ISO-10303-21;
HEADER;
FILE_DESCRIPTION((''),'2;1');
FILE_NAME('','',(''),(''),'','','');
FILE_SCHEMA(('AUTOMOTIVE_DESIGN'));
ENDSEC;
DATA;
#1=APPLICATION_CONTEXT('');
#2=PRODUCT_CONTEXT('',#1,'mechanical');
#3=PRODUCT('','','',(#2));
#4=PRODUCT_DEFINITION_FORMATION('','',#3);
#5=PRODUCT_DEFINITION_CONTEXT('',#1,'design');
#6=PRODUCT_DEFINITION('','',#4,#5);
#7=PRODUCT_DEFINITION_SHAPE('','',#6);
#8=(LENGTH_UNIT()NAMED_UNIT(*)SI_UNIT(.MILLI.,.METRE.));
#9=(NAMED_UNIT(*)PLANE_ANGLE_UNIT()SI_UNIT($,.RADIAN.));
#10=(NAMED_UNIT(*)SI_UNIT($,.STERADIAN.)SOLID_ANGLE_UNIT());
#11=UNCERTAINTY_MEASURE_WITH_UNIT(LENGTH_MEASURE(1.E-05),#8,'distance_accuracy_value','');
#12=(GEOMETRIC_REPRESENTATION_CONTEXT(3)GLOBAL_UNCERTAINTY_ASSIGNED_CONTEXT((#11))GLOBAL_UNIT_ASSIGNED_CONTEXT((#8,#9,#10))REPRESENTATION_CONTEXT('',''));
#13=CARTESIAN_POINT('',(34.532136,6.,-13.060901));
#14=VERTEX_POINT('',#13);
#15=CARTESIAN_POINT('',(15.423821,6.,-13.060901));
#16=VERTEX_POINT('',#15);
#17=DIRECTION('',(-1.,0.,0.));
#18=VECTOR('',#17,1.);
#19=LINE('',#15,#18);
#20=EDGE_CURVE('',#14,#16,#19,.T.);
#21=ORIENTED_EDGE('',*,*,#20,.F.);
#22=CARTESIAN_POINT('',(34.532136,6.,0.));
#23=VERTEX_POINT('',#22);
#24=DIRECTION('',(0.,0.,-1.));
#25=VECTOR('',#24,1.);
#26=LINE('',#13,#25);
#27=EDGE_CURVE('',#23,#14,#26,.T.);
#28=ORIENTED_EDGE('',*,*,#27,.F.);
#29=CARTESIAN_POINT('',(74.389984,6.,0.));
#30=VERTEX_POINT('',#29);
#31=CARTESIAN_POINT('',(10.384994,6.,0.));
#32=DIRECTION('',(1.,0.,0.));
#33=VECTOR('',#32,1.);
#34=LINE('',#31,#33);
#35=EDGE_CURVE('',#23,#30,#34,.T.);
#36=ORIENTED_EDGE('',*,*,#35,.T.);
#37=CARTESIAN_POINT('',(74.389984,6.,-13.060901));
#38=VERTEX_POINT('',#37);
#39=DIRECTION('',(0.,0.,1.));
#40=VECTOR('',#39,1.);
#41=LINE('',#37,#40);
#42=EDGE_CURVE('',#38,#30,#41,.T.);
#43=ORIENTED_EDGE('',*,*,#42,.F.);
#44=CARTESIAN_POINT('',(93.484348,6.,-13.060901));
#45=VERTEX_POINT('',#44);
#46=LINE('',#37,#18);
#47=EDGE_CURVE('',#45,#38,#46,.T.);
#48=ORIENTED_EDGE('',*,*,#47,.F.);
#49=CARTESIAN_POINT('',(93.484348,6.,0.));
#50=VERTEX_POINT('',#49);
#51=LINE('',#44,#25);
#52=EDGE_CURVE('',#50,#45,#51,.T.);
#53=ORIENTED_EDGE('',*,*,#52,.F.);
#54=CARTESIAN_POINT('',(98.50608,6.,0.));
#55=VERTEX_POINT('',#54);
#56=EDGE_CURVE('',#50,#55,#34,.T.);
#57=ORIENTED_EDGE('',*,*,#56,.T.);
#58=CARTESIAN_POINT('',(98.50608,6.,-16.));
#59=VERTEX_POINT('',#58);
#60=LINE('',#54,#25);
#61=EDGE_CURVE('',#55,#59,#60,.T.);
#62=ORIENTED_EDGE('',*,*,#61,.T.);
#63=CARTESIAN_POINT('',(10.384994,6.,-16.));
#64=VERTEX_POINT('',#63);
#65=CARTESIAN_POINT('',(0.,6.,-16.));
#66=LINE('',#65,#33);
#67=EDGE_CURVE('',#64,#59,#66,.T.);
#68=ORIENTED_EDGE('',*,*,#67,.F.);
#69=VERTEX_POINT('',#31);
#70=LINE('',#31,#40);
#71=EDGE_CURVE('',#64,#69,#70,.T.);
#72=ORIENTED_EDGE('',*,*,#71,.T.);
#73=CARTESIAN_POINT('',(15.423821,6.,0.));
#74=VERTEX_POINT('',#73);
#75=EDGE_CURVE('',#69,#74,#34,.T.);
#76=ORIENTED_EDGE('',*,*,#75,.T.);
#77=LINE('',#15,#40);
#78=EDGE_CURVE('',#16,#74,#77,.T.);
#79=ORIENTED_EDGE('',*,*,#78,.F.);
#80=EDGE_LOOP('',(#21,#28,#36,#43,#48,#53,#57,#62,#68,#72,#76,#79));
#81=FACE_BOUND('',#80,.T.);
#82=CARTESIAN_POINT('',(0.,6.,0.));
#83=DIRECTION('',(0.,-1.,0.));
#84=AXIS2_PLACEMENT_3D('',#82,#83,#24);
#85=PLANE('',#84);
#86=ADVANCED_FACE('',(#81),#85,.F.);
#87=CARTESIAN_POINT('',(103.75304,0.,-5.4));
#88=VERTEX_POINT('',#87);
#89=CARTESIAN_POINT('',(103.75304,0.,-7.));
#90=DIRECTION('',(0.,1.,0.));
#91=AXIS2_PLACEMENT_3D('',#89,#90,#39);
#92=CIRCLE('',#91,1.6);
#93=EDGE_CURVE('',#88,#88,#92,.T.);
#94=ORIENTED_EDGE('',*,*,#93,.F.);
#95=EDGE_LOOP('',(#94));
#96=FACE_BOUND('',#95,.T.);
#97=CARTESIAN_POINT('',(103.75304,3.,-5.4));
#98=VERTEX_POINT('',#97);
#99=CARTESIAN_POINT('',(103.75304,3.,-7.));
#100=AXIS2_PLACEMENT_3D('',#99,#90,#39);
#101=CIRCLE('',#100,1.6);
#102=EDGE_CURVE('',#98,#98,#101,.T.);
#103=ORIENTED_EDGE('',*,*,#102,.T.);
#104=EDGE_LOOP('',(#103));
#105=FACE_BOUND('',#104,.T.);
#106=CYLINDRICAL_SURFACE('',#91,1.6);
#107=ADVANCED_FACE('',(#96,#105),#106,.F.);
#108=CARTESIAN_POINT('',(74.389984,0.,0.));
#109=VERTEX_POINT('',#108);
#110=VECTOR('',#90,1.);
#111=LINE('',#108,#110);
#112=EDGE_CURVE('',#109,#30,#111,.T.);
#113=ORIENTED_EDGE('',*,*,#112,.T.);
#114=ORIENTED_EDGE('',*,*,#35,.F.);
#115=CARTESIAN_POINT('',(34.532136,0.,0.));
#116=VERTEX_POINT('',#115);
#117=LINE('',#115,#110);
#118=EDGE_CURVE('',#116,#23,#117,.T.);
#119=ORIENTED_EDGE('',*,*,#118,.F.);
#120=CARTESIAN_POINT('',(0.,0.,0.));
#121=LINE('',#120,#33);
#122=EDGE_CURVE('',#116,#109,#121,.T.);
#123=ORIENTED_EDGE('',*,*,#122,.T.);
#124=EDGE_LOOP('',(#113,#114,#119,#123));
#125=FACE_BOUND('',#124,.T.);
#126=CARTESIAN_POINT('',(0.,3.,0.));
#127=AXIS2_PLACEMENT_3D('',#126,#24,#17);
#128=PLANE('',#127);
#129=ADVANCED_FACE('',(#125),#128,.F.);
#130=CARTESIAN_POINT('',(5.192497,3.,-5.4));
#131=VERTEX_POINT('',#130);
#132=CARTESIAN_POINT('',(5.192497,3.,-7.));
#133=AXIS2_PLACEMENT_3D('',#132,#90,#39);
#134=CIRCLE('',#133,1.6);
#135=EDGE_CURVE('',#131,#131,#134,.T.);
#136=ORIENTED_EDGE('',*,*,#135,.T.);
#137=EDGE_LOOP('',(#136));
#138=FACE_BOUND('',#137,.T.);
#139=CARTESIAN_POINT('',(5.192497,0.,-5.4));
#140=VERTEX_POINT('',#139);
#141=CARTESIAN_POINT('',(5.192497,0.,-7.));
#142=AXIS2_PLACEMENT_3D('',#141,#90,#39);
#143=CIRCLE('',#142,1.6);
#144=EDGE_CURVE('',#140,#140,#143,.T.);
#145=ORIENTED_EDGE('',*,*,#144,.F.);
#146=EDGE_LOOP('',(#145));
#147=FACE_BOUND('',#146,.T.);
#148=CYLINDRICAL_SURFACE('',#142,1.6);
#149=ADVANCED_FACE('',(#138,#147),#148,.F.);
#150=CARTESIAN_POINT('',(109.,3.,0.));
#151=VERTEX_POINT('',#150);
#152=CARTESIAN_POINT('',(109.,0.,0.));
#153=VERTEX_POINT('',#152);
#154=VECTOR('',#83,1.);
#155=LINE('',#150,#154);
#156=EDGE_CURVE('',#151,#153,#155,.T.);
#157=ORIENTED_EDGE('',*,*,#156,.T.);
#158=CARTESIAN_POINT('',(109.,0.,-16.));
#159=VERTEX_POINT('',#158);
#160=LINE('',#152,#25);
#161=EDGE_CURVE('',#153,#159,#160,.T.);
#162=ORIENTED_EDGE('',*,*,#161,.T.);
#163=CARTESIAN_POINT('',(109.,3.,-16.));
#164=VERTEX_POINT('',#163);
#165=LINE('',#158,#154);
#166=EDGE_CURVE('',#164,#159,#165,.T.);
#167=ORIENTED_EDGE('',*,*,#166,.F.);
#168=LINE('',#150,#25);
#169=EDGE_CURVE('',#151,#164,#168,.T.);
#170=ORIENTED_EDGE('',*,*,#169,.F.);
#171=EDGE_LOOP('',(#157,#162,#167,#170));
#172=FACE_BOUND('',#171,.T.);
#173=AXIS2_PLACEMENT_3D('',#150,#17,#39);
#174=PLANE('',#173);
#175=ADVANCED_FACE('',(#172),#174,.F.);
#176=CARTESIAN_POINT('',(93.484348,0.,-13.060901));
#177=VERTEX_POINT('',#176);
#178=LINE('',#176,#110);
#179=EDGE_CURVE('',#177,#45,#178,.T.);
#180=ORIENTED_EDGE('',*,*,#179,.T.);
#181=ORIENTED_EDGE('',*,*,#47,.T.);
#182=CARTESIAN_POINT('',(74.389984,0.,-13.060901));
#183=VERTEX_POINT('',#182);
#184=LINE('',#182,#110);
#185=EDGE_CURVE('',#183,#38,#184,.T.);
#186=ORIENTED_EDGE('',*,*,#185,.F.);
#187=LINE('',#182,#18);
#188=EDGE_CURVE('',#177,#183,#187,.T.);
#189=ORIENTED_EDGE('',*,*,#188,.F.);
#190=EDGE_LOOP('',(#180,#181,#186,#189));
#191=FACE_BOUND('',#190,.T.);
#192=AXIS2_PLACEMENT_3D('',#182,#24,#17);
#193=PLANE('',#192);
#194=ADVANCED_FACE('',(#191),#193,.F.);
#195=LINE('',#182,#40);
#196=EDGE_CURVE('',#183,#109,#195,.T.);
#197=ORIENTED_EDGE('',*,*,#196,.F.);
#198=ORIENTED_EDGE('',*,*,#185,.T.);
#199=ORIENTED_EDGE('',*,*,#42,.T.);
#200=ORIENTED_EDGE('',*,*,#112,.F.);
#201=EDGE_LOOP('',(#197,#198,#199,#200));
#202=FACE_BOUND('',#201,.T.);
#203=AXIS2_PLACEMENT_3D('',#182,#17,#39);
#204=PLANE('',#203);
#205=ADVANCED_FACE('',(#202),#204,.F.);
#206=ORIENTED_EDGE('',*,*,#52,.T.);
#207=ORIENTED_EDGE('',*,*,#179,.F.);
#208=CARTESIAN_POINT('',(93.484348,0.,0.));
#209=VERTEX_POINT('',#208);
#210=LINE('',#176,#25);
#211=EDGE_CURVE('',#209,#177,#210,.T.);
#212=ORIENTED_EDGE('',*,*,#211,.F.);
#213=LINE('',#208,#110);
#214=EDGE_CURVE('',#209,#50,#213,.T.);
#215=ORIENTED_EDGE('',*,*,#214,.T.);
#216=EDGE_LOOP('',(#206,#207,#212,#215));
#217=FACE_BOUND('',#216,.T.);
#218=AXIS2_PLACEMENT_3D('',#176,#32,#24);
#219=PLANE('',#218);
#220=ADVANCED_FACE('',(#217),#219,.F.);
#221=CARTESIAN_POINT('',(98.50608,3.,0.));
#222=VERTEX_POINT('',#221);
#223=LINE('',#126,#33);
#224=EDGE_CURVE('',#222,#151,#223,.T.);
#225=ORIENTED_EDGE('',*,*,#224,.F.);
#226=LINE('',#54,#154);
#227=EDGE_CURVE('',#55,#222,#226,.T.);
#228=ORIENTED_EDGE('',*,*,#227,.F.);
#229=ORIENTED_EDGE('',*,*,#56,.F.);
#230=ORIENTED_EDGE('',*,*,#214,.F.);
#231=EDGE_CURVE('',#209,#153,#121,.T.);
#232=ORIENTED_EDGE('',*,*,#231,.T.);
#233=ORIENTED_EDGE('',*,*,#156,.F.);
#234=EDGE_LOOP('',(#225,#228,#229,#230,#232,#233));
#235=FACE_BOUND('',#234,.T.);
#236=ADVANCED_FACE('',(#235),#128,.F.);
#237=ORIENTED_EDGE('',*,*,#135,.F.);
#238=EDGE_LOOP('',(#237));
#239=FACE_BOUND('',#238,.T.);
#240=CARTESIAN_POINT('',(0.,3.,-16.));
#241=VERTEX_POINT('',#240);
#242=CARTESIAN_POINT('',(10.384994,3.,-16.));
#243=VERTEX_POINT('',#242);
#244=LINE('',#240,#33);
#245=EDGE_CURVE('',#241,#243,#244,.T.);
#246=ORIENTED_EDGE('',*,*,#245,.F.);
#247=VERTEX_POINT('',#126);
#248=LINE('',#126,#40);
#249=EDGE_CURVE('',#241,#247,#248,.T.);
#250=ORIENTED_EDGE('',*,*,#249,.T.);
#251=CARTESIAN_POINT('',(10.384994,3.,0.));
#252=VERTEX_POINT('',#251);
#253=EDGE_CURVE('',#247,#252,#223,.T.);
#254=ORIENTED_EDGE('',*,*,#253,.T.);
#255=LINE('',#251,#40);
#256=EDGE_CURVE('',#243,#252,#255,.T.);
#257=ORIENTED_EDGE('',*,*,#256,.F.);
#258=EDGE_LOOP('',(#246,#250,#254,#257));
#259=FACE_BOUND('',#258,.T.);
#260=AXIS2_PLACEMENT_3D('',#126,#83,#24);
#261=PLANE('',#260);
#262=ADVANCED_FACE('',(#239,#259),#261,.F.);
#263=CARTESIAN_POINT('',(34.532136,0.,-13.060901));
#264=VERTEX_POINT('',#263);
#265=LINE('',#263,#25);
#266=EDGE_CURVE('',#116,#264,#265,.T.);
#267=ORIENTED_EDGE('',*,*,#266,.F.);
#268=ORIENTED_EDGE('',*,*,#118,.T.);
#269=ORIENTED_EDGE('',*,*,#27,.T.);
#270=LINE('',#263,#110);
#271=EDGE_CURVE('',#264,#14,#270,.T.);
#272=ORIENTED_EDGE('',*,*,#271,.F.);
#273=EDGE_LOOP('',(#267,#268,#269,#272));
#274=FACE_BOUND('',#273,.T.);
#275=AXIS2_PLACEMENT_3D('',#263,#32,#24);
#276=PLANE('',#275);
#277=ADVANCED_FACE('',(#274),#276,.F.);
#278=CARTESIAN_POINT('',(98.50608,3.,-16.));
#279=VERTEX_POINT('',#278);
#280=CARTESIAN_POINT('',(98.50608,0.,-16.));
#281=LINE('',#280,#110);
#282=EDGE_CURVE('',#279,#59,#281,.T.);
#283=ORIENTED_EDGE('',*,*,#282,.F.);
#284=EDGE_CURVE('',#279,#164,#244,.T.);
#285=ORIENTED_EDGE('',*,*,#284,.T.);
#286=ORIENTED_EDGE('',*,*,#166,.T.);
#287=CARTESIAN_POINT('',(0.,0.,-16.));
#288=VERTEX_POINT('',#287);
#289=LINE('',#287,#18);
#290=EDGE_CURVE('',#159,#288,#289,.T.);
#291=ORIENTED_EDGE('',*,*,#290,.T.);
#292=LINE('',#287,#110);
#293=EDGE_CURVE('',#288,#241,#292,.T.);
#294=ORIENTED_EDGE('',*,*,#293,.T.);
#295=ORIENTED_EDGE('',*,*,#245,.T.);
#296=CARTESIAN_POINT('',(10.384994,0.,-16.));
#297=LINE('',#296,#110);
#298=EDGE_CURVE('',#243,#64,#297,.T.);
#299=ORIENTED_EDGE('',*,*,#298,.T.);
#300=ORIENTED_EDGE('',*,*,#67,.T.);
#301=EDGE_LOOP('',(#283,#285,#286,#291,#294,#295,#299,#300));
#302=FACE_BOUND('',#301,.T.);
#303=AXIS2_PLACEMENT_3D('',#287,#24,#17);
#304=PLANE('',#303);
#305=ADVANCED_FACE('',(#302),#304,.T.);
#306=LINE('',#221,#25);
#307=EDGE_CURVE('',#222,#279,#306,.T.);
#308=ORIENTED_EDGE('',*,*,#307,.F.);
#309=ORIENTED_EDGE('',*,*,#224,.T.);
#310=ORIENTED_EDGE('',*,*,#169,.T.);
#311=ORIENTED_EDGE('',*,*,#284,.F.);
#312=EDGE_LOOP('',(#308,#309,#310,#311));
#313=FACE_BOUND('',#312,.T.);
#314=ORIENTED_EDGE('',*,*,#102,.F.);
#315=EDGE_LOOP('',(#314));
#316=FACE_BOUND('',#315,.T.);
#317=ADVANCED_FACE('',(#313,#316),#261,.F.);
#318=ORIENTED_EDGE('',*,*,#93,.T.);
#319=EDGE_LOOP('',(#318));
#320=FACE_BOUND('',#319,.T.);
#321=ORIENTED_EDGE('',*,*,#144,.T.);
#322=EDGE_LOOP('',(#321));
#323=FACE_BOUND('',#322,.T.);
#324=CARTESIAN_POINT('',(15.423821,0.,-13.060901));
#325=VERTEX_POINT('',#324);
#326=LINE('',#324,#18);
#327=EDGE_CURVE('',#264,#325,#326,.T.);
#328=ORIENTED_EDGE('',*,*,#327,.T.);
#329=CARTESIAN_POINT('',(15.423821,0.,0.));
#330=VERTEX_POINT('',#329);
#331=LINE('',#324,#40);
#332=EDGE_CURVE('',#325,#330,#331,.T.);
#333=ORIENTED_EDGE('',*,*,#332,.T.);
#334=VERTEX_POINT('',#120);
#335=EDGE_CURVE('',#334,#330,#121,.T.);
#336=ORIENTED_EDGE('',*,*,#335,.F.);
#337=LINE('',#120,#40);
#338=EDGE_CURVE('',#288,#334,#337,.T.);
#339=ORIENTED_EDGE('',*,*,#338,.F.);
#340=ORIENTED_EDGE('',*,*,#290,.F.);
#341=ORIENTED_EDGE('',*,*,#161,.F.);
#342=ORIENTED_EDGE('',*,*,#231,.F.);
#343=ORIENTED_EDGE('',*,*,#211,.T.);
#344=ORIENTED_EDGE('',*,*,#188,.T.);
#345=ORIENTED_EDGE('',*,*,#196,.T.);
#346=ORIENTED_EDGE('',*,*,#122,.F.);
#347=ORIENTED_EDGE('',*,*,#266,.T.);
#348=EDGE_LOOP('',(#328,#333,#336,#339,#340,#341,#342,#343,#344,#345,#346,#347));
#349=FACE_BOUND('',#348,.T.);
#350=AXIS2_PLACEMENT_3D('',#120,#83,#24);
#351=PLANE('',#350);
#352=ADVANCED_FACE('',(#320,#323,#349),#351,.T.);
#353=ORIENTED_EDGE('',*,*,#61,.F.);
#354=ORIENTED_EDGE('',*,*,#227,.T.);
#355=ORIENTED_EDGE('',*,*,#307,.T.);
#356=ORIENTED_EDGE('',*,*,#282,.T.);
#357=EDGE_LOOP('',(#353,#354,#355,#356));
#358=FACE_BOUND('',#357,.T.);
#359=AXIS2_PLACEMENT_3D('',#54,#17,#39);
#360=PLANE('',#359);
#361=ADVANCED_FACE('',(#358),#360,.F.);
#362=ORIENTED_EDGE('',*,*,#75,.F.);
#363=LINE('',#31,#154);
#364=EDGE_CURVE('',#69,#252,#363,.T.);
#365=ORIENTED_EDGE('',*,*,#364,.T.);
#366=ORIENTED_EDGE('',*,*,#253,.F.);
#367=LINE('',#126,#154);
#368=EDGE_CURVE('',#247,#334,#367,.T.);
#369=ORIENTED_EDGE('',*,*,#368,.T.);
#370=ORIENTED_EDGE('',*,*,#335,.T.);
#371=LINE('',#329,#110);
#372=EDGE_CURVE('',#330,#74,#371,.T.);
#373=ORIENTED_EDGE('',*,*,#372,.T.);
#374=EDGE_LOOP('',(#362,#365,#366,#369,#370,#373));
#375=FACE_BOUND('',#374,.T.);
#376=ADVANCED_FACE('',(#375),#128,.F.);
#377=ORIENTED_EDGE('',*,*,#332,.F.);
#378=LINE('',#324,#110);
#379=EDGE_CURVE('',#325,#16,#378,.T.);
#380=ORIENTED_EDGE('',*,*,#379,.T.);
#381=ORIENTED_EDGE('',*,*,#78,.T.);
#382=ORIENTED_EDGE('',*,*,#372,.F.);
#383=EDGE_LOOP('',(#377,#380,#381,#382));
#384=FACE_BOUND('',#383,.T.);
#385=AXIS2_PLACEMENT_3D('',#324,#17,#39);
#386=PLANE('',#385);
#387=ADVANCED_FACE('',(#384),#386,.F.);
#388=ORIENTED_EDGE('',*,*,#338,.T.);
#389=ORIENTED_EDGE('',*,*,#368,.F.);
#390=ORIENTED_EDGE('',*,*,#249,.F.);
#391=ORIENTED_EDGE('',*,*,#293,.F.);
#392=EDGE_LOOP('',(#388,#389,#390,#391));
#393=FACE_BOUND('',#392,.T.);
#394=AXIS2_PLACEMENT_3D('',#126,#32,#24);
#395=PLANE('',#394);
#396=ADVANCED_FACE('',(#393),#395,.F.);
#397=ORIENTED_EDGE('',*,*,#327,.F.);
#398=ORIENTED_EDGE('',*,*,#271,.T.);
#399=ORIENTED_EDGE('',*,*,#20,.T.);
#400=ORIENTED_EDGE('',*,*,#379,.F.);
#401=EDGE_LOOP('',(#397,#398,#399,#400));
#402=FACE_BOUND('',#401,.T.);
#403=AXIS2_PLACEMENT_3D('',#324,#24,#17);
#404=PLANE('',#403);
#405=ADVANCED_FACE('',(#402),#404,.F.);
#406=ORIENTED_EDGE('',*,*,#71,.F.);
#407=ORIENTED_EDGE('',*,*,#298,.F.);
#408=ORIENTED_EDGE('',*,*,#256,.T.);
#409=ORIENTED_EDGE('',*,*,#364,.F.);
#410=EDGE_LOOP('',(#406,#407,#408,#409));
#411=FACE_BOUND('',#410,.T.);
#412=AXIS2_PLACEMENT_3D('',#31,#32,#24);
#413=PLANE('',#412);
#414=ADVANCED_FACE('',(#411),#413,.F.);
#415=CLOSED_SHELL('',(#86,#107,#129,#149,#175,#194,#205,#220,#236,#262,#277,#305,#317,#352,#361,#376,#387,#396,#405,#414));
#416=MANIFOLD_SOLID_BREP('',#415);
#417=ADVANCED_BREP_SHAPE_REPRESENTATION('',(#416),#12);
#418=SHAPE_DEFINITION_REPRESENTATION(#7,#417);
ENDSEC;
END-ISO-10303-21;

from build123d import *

# Parameters (mm, degrees)
SKETCH1_W           = 109
SKETCH1_H           = 14
BOSS_EXTRUDE1_DEPTH = 3
SKETCH2_W           = 88.121085129
SKETCH2_H           = 14
BOSS_EXTRUDE2_DEPTH = 3
SKETCH3_R           = 1.6
CUT_EXTRUDE1_DEPTH  = 3
SKETCH4_W           = 19.094363251
SKETCH4_H           = 13.060900744
SKETCH4_W_2         = 19.108315111
CUT_EXTRUDE2_DEPTH  = 6
BOSS_EXTRUDE3_DEPTH = 2


with BuildPart() as part:
    # Sketch1 → Boss-Extrude1 (new body)
    with BuildSketch(Plane(origin=(0, 0, 0), x_dir=(1, 0, 0), z_dir=(0, 1, 0))):
        with Locations((54.5, 7)):
            Rectangle(SKETCH1_W, SKETCH1_H)
    extrude(amount=BOSS_EXTRUDE1_DEPTH)

    # Sketch2 → Boss-Extrude2 (add)
    with BuildSketch(Plane(origin=(0, 3, 0), x_dir=(1, 0, 0), z_dir=(0, 1, 0))):
        with Locations((54.44553703, 7)):
            Rectangle(SKETCH2_W, SKETCH2_H)
    extrude(amount=BOSS_EXTRUDE2_DEPTH)

    # Sketch3 → Cut-Extrude1 (cut)
    with BuildSketch(Plane(origin=(0, 3, 0), x_dir=(1, 0, 0), z_dir=(0, 1, 0))):
        with Locations((5.192497233, 7)):
            Circle(SKETCH3_R)
        with Locations((103.753039797, 7)):
            Circle(SKETCH3_R)
    extrude(amount=-CUT_EXTRUDE1_DEPTH, mode=Mode.SUBTRACT)

    # Sketch4 → Cut-Extrude2 (cut)
    with BuildSketch(Plane(origin=(0, 6, 0), x_dir=(1, 0, 0), z_dir=(0, 1, 0))):
        with Locations((83.937166007, 6.530450372)):
            Rectangle(SKETCH4_W, SKETCH4_H)
        with Locations((24.977978122, 6.530450372)):
            Rectangle(SKETCH4_W_2, SKETCH4_H)
    extrude(amount=-CUT_EXTRUDE2_DEPTH, mode=Mode.SUBTRACT)

    # Sketch5 → Boss-Extrude3 (add)
    with BuildSketch(Plane(origin=(0, 0, -14), x_dir=(-1, 0, 0), z_dir=(0, 0, -1))):
        Polygon((0, 0), (0, 3), (-10.384994466, 3), (-10.384994466, 6), (-98.506079595, 6), (-98.506079595, 3), (-109, 3), (-109, 0), align=None)
    extrude(amount=BOSS_EXTRUDE3_DEPTH)


solid = part.part
